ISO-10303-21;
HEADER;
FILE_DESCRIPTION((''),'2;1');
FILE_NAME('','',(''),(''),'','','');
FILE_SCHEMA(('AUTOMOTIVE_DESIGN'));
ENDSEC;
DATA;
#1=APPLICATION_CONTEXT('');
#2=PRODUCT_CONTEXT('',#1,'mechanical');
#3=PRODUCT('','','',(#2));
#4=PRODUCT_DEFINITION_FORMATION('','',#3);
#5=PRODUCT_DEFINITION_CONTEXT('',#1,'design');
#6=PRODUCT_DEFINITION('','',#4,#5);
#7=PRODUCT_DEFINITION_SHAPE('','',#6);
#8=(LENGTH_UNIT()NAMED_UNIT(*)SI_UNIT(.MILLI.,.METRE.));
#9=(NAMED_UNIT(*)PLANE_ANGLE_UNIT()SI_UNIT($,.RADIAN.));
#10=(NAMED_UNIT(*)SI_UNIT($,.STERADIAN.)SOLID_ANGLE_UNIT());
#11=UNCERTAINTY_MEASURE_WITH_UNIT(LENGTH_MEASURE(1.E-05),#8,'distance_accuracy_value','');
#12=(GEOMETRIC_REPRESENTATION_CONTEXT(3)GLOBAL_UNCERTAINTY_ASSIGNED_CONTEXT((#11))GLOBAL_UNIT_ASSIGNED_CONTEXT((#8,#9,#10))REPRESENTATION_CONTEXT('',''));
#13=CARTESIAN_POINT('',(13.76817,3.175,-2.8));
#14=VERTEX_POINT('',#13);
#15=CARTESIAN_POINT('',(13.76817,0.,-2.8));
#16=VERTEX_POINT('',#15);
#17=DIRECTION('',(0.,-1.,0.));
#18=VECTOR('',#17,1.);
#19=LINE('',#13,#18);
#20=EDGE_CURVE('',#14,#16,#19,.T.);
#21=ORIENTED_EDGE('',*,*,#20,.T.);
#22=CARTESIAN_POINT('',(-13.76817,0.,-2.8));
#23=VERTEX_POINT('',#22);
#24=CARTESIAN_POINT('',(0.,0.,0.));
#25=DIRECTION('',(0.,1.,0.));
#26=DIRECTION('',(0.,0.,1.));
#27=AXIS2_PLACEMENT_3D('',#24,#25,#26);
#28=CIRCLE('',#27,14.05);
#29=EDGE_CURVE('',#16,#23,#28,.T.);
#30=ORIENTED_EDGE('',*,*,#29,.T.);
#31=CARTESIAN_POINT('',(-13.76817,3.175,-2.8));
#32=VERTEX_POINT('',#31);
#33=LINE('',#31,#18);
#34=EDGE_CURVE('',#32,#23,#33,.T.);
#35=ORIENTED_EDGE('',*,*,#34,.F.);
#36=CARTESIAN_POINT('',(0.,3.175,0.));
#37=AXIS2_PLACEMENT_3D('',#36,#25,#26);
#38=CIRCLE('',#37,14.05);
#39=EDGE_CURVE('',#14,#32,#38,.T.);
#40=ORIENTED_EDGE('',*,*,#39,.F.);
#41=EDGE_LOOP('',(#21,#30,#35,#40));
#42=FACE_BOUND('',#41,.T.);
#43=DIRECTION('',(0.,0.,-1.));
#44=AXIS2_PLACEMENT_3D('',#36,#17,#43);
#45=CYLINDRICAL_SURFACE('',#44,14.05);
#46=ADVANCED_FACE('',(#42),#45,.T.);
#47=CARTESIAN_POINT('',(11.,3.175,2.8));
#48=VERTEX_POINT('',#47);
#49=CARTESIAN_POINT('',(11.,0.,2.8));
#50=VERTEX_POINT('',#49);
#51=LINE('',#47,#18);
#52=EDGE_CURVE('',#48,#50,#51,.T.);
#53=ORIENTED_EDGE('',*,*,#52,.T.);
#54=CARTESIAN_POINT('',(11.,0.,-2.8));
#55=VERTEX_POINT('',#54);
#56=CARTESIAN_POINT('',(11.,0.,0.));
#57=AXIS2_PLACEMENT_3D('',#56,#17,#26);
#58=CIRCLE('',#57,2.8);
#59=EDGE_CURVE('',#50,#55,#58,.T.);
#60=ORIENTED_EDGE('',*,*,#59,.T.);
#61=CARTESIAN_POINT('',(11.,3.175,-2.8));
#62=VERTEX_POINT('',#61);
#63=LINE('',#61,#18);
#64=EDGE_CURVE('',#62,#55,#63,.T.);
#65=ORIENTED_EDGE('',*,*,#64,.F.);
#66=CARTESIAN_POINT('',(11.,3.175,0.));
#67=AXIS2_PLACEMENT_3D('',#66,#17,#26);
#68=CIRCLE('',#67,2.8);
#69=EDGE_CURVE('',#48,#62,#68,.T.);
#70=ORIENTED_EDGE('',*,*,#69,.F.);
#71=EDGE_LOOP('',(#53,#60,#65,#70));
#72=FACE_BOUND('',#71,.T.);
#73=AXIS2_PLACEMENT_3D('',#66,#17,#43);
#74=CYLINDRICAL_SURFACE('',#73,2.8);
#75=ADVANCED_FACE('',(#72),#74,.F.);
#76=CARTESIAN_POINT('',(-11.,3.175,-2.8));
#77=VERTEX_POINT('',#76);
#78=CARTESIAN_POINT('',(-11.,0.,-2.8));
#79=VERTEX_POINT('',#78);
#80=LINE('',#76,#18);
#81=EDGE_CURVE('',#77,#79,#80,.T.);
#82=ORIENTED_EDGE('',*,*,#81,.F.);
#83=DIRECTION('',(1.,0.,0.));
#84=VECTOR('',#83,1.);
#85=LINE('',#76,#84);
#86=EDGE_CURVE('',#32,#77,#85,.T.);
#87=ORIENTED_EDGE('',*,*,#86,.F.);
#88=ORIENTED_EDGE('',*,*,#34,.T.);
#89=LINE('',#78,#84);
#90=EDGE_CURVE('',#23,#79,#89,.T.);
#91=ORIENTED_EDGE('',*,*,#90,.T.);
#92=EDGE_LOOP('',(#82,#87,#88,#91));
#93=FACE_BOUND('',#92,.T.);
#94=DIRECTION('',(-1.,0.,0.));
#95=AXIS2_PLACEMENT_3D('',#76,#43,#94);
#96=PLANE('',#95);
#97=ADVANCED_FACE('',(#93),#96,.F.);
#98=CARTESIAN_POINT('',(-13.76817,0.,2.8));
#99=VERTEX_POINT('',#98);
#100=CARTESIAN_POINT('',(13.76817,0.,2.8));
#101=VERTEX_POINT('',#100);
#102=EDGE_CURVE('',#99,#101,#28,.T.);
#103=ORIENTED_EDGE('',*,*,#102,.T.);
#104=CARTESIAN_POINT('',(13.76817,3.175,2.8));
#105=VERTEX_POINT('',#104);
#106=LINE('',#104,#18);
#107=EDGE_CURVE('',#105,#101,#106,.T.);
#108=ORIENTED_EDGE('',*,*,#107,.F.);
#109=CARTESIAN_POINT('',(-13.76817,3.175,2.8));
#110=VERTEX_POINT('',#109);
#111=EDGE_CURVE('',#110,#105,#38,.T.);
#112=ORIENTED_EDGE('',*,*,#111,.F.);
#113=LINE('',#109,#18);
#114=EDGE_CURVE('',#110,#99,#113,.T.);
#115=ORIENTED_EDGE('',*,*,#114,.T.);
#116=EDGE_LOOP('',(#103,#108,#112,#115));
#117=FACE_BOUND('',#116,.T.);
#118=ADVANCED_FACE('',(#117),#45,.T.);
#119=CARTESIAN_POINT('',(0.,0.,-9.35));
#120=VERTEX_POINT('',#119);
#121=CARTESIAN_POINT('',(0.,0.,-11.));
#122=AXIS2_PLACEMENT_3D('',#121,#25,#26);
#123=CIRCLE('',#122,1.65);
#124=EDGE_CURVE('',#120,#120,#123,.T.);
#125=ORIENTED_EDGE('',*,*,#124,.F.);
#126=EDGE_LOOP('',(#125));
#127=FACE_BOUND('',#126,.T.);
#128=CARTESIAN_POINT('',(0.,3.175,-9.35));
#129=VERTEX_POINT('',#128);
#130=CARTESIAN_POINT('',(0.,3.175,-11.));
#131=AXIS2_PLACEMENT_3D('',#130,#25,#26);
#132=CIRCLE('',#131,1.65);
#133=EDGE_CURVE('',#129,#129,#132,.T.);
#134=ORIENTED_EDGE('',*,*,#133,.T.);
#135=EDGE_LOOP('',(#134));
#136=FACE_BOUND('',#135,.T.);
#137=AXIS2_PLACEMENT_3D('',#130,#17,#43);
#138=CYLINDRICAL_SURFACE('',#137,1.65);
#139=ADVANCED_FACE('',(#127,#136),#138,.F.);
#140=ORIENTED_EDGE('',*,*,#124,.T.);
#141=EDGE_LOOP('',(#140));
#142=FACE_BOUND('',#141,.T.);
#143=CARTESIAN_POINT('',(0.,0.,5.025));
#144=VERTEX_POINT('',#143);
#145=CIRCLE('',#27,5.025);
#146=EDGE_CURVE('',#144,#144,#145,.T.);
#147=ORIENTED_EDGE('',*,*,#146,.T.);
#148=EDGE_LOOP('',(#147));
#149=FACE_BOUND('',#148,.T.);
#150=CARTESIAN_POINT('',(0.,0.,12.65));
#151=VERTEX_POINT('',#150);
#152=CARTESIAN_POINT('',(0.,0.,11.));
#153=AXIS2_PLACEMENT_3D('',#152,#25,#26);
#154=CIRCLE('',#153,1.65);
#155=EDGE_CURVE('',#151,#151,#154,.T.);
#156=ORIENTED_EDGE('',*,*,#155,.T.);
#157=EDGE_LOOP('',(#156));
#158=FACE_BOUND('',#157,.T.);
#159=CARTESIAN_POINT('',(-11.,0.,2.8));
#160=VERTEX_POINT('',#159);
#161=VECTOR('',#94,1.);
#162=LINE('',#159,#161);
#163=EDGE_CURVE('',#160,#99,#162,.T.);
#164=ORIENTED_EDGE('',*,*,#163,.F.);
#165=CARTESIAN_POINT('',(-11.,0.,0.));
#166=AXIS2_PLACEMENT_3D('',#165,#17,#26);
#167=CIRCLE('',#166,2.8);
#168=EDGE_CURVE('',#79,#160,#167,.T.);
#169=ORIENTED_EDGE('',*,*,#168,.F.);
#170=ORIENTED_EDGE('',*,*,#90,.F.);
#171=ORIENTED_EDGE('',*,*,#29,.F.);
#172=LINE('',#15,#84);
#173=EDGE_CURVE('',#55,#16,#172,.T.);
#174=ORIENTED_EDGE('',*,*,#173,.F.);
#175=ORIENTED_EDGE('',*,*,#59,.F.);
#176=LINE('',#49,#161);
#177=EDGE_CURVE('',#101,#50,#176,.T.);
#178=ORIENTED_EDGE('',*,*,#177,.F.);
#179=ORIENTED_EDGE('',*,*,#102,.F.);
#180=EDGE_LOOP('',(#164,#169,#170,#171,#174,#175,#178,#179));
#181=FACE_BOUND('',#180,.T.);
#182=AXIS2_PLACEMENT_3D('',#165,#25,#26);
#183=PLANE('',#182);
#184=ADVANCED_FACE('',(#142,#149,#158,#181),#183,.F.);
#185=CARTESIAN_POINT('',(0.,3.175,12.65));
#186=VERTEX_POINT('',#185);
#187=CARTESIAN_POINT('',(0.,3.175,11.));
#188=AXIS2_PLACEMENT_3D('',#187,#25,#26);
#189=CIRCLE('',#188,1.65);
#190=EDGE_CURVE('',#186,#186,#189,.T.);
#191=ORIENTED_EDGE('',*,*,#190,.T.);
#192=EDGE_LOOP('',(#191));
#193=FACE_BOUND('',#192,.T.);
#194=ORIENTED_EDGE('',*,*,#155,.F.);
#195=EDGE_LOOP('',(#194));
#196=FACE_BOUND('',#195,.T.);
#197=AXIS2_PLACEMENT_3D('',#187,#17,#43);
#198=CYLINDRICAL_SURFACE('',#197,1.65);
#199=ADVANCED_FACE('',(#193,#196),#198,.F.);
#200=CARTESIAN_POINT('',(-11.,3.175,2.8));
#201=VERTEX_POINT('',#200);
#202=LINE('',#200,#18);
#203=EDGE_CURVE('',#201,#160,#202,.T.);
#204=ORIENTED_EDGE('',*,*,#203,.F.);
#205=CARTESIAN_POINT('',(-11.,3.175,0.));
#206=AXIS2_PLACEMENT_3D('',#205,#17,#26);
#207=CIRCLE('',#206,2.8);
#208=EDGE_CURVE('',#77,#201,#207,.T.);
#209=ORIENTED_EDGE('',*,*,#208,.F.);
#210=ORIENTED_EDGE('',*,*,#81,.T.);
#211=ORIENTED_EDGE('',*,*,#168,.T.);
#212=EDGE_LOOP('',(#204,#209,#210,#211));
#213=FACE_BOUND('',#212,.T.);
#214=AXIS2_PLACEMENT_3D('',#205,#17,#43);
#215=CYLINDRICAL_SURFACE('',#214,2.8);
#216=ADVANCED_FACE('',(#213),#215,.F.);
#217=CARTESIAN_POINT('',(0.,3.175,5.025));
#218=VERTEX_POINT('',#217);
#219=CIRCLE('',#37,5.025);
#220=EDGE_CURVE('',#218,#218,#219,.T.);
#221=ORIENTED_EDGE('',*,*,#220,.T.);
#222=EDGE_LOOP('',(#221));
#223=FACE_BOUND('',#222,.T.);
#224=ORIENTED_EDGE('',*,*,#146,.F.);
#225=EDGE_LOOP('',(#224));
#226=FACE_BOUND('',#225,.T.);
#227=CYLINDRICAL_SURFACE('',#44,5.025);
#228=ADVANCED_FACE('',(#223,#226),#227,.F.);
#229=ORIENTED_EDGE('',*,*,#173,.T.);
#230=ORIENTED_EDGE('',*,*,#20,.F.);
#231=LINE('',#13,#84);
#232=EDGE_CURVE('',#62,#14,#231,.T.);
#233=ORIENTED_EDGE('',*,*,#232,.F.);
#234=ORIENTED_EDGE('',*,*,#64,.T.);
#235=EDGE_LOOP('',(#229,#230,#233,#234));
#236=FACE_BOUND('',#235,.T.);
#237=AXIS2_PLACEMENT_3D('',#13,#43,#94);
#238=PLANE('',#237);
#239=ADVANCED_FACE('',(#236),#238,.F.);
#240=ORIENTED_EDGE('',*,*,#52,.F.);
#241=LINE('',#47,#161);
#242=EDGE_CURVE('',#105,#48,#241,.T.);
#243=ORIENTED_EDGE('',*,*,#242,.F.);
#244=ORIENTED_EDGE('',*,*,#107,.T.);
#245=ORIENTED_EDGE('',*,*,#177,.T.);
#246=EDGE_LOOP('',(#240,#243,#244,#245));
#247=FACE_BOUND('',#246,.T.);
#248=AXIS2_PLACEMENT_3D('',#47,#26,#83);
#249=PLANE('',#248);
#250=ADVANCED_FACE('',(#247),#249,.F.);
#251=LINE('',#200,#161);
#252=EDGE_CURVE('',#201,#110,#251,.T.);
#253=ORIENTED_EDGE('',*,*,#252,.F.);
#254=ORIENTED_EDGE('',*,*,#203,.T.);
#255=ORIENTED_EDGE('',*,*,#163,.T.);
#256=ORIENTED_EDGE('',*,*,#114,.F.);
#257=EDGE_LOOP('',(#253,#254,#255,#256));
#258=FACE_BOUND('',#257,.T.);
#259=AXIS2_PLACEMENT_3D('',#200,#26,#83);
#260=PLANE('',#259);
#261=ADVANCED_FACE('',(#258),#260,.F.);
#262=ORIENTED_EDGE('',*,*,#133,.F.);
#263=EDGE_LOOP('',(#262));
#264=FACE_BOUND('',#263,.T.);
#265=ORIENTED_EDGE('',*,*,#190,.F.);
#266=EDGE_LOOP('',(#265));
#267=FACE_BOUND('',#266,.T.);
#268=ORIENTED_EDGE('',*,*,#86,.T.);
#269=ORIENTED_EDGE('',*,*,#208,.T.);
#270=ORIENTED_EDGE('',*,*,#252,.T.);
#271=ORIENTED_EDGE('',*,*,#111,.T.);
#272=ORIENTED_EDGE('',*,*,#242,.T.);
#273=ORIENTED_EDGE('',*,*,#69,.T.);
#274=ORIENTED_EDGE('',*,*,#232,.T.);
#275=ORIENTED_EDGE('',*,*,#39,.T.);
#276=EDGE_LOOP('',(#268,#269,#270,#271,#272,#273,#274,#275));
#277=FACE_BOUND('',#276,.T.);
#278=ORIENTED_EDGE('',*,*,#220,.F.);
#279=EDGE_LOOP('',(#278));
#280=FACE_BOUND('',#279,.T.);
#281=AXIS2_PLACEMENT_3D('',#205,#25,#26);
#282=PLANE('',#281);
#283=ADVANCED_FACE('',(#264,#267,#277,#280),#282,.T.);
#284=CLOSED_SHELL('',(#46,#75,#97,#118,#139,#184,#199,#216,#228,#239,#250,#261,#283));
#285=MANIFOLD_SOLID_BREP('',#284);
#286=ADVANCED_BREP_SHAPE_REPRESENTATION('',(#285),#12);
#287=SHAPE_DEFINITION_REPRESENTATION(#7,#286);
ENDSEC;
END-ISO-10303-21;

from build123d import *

# Parameters (mm, degrees)
SKETCH1_R           = 5.025
SKETCH1_R_2         = 1.65
BOSS_EXTRUDE1_DEPTH = 3.175


with BuildPart() as part:
    # Sketch1 → Boss-Extrude1 (new body)
    with BuildSketch(Plane(origin=(0, 0, 0), x_dir=(1, 0, 0), z_dir=(0, 1, 0))):
        with BuildLine():
            Line((-11, 2.8), (-13.768169813, 2.8))
            ThreePointArc((-13.768169813, 2.8), (0, 14.05), (13.768169813, 2.8))
            Line((13.768169813, 2.8), (11, 2.8))
            ThreePointArc((11, 2.8), (8.2, 0), (11, -2.8))
            Line((11, -2.8), (13.768169813, -2.8))
            ThreePointArc((13.768169813, -2.8), (0, -14.05), (-13.768169813, -2.8))
            Line((-13.768169813, -2.8), (-11, -2.8))
            ThreePointArc((-11, -2.8), (-8.2, 0), (-11, 2.8))
        make_face()
        Circle(SKETCH1_R, mode=Mode.SUBTRACT)
        with Locations((0, 11)):
            Circle(SKETCH1_R_2, mode=Mode.SUBTRACT)
        with Locations((0, -11)):
            Circle(SKETCH1_R_2, mode=Mode.SUBTRACT)
    extrude(amount=BOSS_EXTRUDE1_DEPTH)


solid = part.part
